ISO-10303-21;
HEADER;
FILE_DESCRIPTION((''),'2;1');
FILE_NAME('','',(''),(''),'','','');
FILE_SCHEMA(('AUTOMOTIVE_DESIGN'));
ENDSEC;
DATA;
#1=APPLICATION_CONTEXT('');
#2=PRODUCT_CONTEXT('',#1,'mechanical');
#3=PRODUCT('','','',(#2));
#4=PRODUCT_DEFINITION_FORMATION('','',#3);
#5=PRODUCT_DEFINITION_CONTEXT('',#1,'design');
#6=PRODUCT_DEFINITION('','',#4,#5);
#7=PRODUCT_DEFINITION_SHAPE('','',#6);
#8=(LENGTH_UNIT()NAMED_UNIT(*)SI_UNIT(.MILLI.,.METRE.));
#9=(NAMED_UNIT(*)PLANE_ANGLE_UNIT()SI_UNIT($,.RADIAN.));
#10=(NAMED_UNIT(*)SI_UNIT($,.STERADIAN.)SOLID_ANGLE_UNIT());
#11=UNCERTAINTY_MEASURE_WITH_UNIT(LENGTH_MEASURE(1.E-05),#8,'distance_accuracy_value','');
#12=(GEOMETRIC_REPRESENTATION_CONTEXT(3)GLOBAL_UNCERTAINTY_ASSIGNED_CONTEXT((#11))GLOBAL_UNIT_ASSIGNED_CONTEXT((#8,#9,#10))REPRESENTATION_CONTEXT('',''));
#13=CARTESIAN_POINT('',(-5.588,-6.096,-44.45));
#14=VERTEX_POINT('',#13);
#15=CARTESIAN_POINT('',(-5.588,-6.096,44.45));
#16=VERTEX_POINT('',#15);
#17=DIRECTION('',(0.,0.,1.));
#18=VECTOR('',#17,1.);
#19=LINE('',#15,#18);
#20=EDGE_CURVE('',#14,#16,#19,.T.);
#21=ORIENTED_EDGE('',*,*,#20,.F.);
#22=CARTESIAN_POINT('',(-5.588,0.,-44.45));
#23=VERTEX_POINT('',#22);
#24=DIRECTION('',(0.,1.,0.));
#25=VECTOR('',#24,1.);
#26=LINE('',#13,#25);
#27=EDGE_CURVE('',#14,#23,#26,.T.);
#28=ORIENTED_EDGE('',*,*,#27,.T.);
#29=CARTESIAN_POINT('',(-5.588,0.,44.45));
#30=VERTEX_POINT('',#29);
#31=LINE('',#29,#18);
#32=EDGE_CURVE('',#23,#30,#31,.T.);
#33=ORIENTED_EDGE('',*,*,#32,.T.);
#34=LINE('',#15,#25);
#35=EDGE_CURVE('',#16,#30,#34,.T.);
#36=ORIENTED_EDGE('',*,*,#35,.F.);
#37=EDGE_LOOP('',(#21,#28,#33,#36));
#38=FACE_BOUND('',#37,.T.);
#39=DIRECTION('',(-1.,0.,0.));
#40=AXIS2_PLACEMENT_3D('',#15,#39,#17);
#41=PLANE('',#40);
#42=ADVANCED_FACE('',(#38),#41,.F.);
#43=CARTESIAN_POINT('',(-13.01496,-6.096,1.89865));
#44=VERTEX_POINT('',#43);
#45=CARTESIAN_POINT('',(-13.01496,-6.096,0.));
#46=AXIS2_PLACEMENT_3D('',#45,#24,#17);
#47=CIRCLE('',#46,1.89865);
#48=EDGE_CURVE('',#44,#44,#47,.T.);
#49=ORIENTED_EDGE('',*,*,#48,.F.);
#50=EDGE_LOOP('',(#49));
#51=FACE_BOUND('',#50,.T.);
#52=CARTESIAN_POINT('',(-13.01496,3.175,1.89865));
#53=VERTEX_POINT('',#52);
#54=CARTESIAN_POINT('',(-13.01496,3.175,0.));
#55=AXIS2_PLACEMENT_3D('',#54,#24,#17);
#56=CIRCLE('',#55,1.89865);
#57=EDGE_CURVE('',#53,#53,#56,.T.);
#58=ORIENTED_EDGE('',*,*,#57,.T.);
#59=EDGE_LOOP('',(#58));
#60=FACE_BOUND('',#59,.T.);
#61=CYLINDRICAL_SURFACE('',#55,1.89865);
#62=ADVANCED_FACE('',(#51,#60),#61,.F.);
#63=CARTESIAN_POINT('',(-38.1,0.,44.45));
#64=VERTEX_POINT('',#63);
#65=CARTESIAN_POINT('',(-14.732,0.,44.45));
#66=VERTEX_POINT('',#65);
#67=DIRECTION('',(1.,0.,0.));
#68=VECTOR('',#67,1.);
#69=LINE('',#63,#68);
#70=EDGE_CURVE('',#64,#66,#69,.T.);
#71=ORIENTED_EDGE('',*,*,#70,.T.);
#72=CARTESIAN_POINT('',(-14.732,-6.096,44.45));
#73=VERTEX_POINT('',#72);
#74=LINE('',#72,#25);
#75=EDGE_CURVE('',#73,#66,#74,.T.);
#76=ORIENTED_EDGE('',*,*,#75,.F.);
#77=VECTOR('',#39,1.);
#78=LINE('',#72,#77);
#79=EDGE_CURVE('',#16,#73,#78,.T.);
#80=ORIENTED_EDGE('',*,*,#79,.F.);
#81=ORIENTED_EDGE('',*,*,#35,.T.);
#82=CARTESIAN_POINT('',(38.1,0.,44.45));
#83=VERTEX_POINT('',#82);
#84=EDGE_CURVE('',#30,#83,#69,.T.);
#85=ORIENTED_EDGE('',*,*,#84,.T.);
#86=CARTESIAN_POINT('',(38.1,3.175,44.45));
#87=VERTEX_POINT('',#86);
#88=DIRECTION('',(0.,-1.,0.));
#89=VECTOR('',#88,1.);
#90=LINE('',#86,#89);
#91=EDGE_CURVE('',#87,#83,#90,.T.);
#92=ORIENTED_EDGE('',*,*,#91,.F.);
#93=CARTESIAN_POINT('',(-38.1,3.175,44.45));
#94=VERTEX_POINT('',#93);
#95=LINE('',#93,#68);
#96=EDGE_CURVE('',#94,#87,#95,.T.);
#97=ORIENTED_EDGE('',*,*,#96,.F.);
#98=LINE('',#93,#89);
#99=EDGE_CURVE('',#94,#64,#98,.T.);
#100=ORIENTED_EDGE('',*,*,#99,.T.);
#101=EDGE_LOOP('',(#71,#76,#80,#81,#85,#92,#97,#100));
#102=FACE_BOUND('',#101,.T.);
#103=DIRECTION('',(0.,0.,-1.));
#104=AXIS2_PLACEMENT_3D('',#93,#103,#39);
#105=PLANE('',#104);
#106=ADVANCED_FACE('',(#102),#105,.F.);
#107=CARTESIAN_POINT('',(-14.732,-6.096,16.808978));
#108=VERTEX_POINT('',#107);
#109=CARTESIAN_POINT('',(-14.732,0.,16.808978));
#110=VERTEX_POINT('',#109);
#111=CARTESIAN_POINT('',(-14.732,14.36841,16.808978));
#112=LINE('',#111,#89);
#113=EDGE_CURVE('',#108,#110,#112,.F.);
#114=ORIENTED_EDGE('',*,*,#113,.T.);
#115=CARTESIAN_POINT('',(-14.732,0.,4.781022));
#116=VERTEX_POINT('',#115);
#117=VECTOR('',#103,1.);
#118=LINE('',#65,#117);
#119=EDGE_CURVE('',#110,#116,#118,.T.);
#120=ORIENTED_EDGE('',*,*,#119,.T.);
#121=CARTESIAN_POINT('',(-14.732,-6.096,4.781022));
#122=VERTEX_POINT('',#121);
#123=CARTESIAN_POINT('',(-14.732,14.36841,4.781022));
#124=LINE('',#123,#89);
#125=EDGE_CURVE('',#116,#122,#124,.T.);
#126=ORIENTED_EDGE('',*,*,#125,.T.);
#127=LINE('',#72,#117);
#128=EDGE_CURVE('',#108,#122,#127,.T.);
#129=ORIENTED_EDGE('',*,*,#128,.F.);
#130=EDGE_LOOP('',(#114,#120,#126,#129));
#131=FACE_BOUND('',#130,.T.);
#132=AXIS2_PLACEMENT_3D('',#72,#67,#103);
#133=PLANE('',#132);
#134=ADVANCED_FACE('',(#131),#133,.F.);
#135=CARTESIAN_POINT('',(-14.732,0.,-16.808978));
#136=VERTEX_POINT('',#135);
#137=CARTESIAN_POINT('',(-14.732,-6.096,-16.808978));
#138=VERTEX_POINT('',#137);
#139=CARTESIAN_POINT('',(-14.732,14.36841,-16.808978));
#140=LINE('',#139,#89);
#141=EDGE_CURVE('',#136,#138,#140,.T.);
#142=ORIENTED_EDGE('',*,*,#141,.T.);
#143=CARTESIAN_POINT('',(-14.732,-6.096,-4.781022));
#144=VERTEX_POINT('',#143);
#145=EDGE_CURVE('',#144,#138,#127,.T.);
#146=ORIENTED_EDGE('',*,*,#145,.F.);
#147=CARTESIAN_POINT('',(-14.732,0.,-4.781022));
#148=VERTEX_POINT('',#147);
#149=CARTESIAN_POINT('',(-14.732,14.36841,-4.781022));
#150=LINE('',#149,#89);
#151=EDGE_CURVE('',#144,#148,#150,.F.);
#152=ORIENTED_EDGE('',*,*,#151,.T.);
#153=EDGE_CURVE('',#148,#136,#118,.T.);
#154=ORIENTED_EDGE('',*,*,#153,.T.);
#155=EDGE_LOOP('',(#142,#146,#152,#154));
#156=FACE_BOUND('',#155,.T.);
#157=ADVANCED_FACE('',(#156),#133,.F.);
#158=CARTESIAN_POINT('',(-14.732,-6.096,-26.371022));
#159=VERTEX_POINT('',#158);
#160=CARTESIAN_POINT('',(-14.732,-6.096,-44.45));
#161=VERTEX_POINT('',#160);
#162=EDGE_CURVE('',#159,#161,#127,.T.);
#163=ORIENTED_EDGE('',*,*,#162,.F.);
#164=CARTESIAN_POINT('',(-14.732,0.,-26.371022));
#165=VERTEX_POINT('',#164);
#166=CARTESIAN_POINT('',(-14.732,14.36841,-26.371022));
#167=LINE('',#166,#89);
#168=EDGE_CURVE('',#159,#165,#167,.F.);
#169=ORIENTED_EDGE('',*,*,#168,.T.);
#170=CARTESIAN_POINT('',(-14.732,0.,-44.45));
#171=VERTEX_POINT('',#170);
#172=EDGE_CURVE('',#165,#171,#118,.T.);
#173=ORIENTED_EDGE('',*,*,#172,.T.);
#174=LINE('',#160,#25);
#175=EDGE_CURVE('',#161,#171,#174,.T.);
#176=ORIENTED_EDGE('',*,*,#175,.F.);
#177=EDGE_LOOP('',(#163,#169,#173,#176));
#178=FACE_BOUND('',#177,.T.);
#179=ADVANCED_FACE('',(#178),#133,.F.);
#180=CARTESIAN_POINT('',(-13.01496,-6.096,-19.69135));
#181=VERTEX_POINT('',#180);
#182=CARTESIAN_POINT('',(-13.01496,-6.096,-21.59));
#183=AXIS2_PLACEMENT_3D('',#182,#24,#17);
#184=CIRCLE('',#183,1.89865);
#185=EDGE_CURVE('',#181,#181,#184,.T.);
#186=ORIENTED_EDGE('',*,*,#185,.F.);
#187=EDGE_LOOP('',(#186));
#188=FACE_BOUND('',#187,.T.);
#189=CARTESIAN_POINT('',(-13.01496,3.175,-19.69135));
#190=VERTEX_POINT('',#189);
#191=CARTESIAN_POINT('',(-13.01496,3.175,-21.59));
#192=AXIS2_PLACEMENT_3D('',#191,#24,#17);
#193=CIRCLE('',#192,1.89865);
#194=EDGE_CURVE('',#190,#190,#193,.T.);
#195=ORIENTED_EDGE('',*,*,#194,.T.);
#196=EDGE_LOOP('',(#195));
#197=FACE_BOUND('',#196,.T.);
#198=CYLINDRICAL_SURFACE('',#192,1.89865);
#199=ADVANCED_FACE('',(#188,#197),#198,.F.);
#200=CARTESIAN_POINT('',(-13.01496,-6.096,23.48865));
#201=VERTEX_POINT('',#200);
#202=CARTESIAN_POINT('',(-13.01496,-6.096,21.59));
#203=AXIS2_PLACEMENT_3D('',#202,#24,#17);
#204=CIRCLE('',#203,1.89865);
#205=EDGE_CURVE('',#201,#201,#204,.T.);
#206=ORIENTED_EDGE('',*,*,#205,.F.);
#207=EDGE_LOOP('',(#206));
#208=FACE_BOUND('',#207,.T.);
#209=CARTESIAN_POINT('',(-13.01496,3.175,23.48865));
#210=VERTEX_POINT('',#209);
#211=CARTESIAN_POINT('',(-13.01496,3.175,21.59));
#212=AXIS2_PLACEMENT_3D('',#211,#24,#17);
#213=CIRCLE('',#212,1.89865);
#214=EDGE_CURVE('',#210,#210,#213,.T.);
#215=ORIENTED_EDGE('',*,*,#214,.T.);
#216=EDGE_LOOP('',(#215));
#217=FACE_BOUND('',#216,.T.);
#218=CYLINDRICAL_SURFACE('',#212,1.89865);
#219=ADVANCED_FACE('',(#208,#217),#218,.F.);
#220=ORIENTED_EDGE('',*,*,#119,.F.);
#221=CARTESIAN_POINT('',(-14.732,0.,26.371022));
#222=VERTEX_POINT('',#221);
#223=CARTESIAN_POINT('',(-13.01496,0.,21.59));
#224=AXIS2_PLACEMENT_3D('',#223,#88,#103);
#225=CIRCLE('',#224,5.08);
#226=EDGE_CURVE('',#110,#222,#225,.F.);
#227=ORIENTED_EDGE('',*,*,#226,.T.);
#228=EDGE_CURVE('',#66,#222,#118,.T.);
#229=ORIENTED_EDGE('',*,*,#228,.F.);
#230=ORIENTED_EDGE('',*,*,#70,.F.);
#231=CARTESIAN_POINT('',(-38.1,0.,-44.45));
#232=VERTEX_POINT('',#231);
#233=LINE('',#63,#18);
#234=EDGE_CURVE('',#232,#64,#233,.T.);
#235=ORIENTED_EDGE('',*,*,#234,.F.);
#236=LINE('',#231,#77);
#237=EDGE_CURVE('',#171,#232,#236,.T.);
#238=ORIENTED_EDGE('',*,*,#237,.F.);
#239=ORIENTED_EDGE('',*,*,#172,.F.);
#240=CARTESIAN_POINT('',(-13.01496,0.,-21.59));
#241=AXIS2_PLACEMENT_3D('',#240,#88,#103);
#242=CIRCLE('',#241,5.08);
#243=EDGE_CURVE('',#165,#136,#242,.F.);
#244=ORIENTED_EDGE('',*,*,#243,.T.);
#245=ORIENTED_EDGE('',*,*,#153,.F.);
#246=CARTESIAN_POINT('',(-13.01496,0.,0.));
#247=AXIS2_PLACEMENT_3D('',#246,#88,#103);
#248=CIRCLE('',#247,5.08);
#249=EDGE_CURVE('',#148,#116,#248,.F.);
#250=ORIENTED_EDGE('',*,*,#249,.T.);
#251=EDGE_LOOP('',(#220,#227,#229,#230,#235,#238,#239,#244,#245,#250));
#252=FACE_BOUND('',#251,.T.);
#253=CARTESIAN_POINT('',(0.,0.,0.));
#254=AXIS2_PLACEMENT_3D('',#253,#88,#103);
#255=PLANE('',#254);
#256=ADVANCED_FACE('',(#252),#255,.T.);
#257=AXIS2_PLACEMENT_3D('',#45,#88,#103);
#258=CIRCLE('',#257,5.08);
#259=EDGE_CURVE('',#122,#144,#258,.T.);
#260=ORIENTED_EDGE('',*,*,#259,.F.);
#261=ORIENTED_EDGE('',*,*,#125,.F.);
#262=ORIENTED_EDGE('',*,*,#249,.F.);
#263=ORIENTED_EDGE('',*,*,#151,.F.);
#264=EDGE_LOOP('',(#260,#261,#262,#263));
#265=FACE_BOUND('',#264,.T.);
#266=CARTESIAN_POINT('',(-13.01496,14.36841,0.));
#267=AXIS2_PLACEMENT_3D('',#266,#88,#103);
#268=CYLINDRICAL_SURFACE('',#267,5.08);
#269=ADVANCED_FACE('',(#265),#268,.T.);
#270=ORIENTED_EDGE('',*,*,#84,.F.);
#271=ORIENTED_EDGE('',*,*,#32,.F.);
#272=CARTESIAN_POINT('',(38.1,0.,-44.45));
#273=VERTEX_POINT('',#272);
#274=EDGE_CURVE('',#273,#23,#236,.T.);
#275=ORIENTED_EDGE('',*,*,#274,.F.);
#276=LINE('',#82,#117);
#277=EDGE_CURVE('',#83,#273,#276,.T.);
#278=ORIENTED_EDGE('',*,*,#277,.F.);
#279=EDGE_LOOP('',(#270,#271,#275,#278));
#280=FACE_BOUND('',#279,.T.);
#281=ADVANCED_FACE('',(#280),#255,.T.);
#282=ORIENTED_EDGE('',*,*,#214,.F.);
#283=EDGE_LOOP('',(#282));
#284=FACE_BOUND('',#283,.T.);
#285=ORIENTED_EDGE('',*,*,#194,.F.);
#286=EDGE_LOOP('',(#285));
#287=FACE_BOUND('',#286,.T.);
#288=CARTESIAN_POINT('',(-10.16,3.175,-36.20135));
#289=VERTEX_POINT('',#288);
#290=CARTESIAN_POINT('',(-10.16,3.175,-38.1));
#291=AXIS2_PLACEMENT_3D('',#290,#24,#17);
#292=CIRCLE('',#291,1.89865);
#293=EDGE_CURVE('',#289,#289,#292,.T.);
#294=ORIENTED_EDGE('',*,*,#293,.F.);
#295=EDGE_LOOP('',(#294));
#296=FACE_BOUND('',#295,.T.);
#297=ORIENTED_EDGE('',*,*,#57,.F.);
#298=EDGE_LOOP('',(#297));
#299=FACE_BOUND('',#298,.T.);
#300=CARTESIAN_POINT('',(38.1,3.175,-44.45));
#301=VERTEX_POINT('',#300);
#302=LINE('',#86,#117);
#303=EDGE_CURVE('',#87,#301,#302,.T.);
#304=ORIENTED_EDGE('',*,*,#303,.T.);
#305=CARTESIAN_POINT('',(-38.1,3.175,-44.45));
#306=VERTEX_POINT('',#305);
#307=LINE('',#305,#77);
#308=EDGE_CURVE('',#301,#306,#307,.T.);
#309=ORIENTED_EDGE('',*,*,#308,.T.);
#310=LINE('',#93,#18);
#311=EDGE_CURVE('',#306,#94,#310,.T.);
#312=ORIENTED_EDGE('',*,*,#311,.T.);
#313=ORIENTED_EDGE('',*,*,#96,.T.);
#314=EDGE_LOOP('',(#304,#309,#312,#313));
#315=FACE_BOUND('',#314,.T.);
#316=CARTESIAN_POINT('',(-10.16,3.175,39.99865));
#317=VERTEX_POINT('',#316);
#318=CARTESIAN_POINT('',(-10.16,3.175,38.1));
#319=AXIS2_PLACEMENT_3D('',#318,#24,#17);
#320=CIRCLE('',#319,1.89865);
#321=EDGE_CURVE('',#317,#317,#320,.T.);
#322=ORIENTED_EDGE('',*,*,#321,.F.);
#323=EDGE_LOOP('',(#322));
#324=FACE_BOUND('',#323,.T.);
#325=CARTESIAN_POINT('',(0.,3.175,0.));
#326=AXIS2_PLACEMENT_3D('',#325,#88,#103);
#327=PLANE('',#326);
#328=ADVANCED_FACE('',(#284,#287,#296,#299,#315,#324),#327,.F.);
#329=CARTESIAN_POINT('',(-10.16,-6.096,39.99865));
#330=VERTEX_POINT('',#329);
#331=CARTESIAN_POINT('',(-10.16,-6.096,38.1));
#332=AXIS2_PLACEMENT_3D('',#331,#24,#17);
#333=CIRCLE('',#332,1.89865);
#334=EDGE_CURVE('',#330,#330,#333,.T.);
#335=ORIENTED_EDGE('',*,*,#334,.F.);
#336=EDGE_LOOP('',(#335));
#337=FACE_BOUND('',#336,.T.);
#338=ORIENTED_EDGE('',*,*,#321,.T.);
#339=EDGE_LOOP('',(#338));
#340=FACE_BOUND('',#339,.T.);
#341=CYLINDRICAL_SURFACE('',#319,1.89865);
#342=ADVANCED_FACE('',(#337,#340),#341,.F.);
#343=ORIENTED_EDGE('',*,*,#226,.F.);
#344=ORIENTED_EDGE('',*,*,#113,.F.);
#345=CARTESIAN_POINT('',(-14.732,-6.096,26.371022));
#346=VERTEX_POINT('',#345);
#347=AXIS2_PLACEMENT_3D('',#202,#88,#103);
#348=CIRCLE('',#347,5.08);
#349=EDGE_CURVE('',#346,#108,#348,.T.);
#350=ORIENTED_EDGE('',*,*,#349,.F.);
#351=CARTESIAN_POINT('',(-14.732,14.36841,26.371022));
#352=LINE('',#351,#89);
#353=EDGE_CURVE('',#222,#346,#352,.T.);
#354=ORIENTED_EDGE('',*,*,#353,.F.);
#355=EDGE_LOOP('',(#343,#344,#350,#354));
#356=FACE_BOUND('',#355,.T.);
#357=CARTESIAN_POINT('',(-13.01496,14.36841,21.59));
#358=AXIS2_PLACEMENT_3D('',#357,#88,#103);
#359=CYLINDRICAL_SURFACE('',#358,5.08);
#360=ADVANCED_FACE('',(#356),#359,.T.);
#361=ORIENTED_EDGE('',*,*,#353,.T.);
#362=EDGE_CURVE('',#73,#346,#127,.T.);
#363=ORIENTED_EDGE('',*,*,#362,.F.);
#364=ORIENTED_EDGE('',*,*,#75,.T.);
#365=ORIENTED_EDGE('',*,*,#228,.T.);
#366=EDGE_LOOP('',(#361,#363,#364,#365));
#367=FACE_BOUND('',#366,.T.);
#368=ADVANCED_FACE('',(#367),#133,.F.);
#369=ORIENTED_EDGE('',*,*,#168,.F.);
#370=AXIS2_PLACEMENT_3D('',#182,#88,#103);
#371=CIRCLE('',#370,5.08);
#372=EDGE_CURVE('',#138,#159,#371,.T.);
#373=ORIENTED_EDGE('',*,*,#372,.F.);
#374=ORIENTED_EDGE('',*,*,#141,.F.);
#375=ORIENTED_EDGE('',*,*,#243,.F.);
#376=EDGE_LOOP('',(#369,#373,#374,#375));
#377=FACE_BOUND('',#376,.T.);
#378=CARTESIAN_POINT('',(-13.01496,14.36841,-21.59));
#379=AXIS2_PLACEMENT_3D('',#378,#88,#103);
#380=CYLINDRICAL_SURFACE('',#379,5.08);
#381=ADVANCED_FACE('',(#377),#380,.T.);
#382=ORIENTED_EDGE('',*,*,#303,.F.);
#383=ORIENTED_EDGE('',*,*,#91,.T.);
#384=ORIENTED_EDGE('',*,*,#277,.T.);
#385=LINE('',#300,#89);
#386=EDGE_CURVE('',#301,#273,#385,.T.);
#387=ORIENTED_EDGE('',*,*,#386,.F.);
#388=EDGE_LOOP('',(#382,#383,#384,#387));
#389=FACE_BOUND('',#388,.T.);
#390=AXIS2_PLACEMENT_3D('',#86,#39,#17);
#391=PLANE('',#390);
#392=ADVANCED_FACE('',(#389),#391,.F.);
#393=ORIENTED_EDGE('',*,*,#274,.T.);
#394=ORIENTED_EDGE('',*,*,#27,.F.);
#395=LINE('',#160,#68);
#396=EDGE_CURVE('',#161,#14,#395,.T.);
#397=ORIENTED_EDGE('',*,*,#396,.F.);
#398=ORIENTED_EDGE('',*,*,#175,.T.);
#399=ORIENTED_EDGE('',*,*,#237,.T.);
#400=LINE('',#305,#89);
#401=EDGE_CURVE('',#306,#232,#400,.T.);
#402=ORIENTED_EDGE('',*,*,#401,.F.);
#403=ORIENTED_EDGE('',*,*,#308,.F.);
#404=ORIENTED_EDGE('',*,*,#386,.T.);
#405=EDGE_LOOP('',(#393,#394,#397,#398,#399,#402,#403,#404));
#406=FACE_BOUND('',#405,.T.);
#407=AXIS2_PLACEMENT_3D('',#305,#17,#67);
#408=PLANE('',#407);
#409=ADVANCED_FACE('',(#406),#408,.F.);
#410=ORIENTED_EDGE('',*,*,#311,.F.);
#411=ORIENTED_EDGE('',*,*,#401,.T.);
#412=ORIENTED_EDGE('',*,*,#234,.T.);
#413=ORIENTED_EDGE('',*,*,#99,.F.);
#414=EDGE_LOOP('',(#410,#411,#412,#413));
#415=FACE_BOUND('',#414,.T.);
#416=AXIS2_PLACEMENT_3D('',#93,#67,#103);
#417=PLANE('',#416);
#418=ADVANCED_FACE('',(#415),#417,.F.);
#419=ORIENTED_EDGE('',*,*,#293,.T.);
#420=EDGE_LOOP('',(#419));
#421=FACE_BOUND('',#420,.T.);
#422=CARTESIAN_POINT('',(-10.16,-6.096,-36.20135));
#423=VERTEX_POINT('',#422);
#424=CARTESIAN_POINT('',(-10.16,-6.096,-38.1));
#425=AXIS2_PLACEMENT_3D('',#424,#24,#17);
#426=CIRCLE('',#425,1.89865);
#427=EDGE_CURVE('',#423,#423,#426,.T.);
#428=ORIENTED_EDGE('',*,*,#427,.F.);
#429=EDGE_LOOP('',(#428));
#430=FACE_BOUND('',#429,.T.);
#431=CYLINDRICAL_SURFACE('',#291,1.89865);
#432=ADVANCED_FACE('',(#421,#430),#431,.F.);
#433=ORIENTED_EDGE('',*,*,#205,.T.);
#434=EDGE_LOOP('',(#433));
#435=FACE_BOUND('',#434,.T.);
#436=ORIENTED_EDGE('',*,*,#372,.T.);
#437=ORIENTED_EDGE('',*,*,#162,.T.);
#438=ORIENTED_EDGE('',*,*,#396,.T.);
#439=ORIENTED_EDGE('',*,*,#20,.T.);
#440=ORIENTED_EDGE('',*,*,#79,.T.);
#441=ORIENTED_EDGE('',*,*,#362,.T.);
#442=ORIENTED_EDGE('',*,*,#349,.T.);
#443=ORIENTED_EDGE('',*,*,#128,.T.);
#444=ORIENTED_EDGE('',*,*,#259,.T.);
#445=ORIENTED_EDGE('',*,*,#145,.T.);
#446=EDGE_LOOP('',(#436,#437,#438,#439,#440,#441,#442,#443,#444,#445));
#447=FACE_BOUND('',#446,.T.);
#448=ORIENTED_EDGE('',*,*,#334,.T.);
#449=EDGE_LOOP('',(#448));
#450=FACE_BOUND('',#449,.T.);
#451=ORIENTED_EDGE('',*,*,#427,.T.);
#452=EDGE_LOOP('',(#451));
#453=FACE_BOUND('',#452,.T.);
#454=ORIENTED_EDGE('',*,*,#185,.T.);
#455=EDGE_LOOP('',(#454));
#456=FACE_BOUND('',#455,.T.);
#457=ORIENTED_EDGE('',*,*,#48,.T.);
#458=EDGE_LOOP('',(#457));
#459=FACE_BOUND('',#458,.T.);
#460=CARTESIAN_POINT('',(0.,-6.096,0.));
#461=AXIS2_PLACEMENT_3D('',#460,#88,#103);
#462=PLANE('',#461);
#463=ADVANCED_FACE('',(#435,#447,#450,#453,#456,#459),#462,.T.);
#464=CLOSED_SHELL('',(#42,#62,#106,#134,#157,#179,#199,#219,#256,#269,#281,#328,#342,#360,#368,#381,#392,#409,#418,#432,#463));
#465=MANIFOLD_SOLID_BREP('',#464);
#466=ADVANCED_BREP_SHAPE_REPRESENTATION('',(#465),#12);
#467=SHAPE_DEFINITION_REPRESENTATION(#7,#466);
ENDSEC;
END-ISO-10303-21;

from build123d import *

# Parameters (mm, degrees)
SKETCH1_W             = 76.2
SKETCH1_H             = 88.9
BOSS_EXTRUDE1_DEPTH   = 3.175
SKETCH4_W             = 9.144
SKETCH4_H             = 88.9
BOSS_EXTRUDE2_DEPTH   = 6.096
F_6_CLEARANCE_HOLE1_D = 3.7973
SKETCH5_R             = 5.08
BOSS_EXTRUDE3_DEPTH   = 6.096
F_6_CLEARANCE_HOLE2_D = 3.7973


with BuildPart() as part:
    # Sketch1 → Boss-Extrude1 (new body)
    with BuildSketch(Plane(origin=(0, 0, 0), x_dir=(1, 0, 0), z_dir=(0, 1, 0))):
        Rectangle(SKETCH1_W, SKETCH1_H)
    extrude(amount=BOSS_EXTRUDE1_DEPTH)

    # Sketch4 → Boss-Extrude2 (add)
    with BuildSketch(Plane.XZ):
        with Locations((-10.16, 0)):
            Rectangle(SKETCH4_W, SKETCH4_H)
    extrude(amount=BOSS_EXTRUDE2_DEPTH)

    # #6 Clearance Hole1 (through all)
    with Locations(Plane(origin=(-10.16, 3.175, -38.1), x_dir=(0, 0, 1), z_dir=(0, 1, 0))):
        with Locations((0, 0), (76.2, 0)):
            Hole(F_6_CLEARANCE_HOLE1_D / 2)

    # Sketch5 → Boss-Extrude3 (add)
    with BuildSketch(Plane.XZ.offset(6.096)):
        with Locations((-13.01496, 0)):
            Circle(SKETCH5_R)
        with Locations((-13.01496, 21.59)):
            Circle(SKETCH5_R)
        with Locations((-13.01496, -21.59)):
            Circle(SKETCH5_R)
    extrude(amount=-BOSS_EXTRUDE3_DEPTH)

    # #6 Clearance Hole2 (through all)
    with Locations(Plane(origin=(-13.01496, 3.175, 0), x_dir=(0, 0, 1), z_dir=(0, 1, 0))):
        with Locations((0, 0), (-21.59, 0), (21.59, 0)):
            Hole(F_6_CLEARANCE_HOLE2_D / 2)


solid = part.part
